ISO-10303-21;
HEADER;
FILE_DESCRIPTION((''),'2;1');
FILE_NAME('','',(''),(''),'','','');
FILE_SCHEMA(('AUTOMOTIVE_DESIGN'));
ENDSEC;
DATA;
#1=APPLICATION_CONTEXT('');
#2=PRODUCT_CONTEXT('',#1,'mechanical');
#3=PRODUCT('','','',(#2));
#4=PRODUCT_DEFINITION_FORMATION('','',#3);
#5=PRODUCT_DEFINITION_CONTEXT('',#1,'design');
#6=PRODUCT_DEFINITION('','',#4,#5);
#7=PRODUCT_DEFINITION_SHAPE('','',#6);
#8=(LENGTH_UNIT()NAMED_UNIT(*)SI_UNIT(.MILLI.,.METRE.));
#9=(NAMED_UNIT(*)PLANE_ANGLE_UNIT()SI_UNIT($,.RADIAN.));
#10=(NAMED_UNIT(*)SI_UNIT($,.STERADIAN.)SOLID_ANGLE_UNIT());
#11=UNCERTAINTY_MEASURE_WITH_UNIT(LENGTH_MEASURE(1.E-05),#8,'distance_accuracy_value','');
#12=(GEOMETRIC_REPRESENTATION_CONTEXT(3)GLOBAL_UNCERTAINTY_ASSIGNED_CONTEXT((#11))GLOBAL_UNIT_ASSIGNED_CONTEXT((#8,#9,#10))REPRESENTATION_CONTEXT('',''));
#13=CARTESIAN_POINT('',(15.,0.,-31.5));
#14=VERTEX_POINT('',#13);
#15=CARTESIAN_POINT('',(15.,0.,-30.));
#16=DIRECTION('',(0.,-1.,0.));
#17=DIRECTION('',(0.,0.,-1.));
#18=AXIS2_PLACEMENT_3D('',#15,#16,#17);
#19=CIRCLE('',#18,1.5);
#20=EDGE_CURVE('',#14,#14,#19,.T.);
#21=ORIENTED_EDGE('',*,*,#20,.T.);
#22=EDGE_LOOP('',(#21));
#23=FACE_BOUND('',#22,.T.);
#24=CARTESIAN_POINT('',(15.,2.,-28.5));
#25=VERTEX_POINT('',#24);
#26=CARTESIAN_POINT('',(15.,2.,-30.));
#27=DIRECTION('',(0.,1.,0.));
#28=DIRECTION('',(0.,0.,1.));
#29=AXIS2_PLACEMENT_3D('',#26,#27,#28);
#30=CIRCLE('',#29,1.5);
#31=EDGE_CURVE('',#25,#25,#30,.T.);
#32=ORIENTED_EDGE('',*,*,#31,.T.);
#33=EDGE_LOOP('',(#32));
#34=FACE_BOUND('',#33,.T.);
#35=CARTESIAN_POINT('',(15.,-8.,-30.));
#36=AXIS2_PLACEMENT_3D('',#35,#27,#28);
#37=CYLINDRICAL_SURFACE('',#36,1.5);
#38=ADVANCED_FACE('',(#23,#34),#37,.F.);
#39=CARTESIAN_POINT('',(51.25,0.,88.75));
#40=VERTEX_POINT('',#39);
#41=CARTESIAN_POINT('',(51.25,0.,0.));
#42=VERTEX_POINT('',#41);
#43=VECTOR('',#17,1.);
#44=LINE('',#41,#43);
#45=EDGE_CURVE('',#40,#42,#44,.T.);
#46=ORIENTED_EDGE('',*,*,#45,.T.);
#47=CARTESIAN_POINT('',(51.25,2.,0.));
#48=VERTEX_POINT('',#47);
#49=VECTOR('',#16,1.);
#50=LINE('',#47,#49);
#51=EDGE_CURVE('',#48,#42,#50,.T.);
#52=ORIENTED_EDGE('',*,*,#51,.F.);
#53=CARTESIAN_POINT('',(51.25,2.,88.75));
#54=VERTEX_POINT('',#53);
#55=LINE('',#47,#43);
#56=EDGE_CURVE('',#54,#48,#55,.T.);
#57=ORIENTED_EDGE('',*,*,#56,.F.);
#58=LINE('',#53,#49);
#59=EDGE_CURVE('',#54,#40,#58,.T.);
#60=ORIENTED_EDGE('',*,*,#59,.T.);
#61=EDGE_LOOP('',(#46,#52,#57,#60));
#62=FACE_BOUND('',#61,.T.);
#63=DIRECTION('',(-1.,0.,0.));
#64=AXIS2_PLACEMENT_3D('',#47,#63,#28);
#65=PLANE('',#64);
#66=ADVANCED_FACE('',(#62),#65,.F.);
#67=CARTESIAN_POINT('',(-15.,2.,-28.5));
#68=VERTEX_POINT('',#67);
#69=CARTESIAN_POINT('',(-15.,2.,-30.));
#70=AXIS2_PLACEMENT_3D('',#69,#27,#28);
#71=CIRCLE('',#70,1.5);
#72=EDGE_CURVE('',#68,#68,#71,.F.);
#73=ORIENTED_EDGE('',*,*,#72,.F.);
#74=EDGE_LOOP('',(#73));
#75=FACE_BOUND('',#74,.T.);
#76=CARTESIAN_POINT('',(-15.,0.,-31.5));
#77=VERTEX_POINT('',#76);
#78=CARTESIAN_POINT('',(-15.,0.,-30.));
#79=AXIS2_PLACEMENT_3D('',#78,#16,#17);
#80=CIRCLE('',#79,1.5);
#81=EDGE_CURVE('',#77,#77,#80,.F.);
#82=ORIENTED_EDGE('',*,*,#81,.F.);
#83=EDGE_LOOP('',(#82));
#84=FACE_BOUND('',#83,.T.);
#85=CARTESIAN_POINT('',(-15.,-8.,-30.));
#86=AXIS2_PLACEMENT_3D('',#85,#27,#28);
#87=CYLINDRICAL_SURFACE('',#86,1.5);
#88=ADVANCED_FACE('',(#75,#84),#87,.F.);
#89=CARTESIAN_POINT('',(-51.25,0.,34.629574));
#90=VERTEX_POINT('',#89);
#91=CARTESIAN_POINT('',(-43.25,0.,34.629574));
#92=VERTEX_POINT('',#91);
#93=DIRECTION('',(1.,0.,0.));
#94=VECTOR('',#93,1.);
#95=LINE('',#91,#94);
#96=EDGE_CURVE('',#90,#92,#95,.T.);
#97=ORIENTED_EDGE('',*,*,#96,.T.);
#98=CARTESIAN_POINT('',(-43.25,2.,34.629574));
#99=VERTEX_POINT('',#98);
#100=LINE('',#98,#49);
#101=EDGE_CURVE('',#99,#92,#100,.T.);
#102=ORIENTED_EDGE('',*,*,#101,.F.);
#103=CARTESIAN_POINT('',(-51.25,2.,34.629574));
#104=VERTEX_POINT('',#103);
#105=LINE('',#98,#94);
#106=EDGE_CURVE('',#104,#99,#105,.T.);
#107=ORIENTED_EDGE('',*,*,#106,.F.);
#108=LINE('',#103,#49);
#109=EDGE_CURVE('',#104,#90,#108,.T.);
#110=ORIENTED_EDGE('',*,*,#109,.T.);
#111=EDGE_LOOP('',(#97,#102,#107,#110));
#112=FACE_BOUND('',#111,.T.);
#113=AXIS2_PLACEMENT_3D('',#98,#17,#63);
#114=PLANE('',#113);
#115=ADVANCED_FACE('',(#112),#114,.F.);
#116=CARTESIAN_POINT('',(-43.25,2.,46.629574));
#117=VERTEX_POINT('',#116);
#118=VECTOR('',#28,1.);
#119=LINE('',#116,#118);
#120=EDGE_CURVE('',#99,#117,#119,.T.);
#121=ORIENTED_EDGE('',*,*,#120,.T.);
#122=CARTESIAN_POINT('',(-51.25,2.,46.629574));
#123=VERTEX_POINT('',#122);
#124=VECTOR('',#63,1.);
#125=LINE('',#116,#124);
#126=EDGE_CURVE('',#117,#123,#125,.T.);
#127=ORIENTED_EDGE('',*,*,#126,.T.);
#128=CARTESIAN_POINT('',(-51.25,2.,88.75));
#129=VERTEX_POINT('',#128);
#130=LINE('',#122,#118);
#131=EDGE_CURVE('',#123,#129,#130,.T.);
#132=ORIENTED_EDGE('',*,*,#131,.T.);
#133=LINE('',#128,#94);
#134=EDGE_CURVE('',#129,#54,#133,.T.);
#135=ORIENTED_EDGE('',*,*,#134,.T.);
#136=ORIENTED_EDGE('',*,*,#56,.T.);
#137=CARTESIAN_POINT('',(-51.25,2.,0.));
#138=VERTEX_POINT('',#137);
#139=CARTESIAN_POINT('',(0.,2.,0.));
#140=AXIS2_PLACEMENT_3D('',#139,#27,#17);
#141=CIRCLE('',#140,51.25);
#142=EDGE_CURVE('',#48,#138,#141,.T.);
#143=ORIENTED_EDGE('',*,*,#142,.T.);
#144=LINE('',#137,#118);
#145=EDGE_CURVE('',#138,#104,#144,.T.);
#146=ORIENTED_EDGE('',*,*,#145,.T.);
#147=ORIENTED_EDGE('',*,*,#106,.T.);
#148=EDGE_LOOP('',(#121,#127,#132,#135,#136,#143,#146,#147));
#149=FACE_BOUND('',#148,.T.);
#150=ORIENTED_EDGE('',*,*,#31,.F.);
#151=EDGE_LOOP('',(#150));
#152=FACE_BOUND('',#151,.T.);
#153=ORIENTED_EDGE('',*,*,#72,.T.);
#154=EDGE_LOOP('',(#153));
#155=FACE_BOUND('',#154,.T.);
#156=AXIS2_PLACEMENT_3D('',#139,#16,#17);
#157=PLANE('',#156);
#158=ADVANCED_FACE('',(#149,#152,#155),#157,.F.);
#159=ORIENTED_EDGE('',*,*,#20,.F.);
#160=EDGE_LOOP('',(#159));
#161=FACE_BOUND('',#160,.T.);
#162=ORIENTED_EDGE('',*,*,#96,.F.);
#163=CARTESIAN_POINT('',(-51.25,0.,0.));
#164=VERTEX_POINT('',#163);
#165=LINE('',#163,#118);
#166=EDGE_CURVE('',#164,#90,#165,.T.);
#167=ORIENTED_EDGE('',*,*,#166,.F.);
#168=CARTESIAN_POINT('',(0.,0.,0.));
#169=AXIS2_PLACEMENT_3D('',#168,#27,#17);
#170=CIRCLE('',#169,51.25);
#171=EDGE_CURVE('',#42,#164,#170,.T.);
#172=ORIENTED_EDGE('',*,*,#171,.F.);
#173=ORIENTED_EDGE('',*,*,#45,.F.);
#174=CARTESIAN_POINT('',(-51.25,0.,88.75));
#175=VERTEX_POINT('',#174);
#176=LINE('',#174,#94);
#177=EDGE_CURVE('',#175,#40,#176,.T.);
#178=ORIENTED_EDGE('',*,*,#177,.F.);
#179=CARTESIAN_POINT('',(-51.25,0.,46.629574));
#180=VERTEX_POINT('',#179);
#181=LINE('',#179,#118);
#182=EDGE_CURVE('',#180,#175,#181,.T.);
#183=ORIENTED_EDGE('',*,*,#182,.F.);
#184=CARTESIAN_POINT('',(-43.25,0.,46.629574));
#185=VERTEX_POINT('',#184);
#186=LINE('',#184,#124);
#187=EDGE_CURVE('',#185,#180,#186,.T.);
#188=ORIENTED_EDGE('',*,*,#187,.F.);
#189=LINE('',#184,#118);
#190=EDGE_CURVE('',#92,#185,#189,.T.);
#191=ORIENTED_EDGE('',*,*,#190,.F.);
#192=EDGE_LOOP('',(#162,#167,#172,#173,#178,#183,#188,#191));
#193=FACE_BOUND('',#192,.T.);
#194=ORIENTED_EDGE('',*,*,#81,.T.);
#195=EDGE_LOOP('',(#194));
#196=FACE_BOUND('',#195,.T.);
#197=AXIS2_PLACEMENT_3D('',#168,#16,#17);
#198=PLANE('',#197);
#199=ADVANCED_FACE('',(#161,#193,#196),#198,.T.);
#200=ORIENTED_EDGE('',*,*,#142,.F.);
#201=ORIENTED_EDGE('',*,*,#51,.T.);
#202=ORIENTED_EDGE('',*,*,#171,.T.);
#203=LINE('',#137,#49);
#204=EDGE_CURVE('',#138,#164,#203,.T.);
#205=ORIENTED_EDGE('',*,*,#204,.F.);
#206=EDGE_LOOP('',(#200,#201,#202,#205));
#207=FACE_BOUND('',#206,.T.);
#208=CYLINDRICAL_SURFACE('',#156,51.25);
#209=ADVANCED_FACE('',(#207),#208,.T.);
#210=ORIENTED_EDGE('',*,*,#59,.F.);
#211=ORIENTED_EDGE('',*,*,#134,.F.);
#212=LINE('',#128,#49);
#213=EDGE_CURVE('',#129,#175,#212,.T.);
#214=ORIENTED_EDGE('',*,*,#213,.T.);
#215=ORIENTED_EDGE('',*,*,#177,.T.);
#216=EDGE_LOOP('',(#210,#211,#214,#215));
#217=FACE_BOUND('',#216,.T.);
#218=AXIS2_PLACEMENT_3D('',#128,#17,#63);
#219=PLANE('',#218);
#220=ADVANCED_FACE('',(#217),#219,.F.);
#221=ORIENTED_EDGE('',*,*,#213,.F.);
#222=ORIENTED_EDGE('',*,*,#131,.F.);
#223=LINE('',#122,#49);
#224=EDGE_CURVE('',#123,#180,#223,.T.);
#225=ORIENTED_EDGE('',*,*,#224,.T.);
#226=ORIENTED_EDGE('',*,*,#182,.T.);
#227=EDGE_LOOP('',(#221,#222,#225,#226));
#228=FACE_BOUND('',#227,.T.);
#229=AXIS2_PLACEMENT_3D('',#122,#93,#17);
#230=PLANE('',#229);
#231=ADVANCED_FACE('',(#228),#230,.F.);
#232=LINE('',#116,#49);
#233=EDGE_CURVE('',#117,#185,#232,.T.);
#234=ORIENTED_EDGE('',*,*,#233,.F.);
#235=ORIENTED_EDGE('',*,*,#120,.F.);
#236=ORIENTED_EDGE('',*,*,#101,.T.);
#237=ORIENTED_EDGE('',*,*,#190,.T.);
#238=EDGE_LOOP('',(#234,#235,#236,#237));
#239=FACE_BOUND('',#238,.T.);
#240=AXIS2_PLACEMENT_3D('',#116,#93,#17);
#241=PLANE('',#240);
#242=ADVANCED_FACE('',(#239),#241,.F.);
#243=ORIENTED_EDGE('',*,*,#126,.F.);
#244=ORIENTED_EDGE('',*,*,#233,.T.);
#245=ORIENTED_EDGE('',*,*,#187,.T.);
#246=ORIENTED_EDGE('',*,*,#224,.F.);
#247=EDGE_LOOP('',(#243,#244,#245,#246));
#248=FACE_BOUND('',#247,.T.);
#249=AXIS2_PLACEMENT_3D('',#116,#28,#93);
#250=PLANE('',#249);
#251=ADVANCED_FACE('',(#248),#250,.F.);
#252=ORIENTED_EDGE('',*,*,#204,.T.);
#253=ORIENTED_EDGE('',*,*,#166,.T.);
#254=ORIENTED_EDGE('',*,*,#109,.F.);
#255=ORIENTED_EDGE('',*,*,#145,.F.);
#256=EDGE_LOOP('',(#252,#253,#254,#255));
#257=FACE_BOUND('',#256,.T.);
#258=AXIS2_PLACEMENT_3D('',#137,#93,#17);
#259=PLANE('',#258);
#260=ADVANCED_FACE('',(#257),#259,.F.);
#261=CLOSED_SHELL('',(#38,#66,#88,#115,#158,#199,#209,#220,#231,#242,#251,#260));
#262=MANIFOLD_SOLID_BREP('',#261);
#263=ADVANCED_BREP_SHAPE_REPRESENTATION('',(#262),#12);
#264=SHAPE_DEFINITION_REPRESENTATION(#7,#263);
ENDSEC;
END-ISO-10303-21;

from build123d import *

# Parameters (mm, degrees)
BOSS_EXTRU_1_DEPTH      = 2
ESQUISSE4_R             = 1.5
ENL_V_MAT_EXTRU_1_DEPTH = 10


with BuildPart() as part:
    # Esquisse1 → Boss.-Extru.1 (new body)
    with BuildSketch(Plane(origin=(0, 0, 0), x_dir=(1, 0, 0), z_dir=(0, 1, 0))):
        with BuildLine():
            Line((-51.25, 0), (-51.25, -34.62957381))
            Line((-51.25, -34.62957381), (-43.25, -34.62957381))
            Line((-43.25, -34.62957381), (-43.25, -46.62957381))
            Line((-43.25, -46.62957381), (-51.25, -46.62957381))
            Line((-51.25, -46.62957381), (-51.25, -88.75))
            Line((-51.25, -88.75), (51.25, -88.75))
            Line((51.25, -88.75), (51.25, 0))
            ThreePointArc((51.25, 0), (0, 51.25), (-51.25, 0))
        make_face()
    extrude(amount=BOSS_EXTRU_1_DEPTH)

    # Esquisse4 → Enlèv. mat.-Extru.1 (cut)
    with BuildSketch(Plane(origin=(0, 2, 0), x_dir=(1, 0, 0), z_dir=(0, 1, 0))):
        with Locations(Location((15, 30, 0), (0, 0, 270))):
            Circle(ESQUISSE4_R)
        with Locations(Location((-15, 30, 0), (0, 0, 270))):
            Circle(ESQUISSE4_R)
    extrude(amount=-ENL_V_MAT_EXTRU_1_DEPTH, mode=Mode.SUBTRACT)


solid = part.part
